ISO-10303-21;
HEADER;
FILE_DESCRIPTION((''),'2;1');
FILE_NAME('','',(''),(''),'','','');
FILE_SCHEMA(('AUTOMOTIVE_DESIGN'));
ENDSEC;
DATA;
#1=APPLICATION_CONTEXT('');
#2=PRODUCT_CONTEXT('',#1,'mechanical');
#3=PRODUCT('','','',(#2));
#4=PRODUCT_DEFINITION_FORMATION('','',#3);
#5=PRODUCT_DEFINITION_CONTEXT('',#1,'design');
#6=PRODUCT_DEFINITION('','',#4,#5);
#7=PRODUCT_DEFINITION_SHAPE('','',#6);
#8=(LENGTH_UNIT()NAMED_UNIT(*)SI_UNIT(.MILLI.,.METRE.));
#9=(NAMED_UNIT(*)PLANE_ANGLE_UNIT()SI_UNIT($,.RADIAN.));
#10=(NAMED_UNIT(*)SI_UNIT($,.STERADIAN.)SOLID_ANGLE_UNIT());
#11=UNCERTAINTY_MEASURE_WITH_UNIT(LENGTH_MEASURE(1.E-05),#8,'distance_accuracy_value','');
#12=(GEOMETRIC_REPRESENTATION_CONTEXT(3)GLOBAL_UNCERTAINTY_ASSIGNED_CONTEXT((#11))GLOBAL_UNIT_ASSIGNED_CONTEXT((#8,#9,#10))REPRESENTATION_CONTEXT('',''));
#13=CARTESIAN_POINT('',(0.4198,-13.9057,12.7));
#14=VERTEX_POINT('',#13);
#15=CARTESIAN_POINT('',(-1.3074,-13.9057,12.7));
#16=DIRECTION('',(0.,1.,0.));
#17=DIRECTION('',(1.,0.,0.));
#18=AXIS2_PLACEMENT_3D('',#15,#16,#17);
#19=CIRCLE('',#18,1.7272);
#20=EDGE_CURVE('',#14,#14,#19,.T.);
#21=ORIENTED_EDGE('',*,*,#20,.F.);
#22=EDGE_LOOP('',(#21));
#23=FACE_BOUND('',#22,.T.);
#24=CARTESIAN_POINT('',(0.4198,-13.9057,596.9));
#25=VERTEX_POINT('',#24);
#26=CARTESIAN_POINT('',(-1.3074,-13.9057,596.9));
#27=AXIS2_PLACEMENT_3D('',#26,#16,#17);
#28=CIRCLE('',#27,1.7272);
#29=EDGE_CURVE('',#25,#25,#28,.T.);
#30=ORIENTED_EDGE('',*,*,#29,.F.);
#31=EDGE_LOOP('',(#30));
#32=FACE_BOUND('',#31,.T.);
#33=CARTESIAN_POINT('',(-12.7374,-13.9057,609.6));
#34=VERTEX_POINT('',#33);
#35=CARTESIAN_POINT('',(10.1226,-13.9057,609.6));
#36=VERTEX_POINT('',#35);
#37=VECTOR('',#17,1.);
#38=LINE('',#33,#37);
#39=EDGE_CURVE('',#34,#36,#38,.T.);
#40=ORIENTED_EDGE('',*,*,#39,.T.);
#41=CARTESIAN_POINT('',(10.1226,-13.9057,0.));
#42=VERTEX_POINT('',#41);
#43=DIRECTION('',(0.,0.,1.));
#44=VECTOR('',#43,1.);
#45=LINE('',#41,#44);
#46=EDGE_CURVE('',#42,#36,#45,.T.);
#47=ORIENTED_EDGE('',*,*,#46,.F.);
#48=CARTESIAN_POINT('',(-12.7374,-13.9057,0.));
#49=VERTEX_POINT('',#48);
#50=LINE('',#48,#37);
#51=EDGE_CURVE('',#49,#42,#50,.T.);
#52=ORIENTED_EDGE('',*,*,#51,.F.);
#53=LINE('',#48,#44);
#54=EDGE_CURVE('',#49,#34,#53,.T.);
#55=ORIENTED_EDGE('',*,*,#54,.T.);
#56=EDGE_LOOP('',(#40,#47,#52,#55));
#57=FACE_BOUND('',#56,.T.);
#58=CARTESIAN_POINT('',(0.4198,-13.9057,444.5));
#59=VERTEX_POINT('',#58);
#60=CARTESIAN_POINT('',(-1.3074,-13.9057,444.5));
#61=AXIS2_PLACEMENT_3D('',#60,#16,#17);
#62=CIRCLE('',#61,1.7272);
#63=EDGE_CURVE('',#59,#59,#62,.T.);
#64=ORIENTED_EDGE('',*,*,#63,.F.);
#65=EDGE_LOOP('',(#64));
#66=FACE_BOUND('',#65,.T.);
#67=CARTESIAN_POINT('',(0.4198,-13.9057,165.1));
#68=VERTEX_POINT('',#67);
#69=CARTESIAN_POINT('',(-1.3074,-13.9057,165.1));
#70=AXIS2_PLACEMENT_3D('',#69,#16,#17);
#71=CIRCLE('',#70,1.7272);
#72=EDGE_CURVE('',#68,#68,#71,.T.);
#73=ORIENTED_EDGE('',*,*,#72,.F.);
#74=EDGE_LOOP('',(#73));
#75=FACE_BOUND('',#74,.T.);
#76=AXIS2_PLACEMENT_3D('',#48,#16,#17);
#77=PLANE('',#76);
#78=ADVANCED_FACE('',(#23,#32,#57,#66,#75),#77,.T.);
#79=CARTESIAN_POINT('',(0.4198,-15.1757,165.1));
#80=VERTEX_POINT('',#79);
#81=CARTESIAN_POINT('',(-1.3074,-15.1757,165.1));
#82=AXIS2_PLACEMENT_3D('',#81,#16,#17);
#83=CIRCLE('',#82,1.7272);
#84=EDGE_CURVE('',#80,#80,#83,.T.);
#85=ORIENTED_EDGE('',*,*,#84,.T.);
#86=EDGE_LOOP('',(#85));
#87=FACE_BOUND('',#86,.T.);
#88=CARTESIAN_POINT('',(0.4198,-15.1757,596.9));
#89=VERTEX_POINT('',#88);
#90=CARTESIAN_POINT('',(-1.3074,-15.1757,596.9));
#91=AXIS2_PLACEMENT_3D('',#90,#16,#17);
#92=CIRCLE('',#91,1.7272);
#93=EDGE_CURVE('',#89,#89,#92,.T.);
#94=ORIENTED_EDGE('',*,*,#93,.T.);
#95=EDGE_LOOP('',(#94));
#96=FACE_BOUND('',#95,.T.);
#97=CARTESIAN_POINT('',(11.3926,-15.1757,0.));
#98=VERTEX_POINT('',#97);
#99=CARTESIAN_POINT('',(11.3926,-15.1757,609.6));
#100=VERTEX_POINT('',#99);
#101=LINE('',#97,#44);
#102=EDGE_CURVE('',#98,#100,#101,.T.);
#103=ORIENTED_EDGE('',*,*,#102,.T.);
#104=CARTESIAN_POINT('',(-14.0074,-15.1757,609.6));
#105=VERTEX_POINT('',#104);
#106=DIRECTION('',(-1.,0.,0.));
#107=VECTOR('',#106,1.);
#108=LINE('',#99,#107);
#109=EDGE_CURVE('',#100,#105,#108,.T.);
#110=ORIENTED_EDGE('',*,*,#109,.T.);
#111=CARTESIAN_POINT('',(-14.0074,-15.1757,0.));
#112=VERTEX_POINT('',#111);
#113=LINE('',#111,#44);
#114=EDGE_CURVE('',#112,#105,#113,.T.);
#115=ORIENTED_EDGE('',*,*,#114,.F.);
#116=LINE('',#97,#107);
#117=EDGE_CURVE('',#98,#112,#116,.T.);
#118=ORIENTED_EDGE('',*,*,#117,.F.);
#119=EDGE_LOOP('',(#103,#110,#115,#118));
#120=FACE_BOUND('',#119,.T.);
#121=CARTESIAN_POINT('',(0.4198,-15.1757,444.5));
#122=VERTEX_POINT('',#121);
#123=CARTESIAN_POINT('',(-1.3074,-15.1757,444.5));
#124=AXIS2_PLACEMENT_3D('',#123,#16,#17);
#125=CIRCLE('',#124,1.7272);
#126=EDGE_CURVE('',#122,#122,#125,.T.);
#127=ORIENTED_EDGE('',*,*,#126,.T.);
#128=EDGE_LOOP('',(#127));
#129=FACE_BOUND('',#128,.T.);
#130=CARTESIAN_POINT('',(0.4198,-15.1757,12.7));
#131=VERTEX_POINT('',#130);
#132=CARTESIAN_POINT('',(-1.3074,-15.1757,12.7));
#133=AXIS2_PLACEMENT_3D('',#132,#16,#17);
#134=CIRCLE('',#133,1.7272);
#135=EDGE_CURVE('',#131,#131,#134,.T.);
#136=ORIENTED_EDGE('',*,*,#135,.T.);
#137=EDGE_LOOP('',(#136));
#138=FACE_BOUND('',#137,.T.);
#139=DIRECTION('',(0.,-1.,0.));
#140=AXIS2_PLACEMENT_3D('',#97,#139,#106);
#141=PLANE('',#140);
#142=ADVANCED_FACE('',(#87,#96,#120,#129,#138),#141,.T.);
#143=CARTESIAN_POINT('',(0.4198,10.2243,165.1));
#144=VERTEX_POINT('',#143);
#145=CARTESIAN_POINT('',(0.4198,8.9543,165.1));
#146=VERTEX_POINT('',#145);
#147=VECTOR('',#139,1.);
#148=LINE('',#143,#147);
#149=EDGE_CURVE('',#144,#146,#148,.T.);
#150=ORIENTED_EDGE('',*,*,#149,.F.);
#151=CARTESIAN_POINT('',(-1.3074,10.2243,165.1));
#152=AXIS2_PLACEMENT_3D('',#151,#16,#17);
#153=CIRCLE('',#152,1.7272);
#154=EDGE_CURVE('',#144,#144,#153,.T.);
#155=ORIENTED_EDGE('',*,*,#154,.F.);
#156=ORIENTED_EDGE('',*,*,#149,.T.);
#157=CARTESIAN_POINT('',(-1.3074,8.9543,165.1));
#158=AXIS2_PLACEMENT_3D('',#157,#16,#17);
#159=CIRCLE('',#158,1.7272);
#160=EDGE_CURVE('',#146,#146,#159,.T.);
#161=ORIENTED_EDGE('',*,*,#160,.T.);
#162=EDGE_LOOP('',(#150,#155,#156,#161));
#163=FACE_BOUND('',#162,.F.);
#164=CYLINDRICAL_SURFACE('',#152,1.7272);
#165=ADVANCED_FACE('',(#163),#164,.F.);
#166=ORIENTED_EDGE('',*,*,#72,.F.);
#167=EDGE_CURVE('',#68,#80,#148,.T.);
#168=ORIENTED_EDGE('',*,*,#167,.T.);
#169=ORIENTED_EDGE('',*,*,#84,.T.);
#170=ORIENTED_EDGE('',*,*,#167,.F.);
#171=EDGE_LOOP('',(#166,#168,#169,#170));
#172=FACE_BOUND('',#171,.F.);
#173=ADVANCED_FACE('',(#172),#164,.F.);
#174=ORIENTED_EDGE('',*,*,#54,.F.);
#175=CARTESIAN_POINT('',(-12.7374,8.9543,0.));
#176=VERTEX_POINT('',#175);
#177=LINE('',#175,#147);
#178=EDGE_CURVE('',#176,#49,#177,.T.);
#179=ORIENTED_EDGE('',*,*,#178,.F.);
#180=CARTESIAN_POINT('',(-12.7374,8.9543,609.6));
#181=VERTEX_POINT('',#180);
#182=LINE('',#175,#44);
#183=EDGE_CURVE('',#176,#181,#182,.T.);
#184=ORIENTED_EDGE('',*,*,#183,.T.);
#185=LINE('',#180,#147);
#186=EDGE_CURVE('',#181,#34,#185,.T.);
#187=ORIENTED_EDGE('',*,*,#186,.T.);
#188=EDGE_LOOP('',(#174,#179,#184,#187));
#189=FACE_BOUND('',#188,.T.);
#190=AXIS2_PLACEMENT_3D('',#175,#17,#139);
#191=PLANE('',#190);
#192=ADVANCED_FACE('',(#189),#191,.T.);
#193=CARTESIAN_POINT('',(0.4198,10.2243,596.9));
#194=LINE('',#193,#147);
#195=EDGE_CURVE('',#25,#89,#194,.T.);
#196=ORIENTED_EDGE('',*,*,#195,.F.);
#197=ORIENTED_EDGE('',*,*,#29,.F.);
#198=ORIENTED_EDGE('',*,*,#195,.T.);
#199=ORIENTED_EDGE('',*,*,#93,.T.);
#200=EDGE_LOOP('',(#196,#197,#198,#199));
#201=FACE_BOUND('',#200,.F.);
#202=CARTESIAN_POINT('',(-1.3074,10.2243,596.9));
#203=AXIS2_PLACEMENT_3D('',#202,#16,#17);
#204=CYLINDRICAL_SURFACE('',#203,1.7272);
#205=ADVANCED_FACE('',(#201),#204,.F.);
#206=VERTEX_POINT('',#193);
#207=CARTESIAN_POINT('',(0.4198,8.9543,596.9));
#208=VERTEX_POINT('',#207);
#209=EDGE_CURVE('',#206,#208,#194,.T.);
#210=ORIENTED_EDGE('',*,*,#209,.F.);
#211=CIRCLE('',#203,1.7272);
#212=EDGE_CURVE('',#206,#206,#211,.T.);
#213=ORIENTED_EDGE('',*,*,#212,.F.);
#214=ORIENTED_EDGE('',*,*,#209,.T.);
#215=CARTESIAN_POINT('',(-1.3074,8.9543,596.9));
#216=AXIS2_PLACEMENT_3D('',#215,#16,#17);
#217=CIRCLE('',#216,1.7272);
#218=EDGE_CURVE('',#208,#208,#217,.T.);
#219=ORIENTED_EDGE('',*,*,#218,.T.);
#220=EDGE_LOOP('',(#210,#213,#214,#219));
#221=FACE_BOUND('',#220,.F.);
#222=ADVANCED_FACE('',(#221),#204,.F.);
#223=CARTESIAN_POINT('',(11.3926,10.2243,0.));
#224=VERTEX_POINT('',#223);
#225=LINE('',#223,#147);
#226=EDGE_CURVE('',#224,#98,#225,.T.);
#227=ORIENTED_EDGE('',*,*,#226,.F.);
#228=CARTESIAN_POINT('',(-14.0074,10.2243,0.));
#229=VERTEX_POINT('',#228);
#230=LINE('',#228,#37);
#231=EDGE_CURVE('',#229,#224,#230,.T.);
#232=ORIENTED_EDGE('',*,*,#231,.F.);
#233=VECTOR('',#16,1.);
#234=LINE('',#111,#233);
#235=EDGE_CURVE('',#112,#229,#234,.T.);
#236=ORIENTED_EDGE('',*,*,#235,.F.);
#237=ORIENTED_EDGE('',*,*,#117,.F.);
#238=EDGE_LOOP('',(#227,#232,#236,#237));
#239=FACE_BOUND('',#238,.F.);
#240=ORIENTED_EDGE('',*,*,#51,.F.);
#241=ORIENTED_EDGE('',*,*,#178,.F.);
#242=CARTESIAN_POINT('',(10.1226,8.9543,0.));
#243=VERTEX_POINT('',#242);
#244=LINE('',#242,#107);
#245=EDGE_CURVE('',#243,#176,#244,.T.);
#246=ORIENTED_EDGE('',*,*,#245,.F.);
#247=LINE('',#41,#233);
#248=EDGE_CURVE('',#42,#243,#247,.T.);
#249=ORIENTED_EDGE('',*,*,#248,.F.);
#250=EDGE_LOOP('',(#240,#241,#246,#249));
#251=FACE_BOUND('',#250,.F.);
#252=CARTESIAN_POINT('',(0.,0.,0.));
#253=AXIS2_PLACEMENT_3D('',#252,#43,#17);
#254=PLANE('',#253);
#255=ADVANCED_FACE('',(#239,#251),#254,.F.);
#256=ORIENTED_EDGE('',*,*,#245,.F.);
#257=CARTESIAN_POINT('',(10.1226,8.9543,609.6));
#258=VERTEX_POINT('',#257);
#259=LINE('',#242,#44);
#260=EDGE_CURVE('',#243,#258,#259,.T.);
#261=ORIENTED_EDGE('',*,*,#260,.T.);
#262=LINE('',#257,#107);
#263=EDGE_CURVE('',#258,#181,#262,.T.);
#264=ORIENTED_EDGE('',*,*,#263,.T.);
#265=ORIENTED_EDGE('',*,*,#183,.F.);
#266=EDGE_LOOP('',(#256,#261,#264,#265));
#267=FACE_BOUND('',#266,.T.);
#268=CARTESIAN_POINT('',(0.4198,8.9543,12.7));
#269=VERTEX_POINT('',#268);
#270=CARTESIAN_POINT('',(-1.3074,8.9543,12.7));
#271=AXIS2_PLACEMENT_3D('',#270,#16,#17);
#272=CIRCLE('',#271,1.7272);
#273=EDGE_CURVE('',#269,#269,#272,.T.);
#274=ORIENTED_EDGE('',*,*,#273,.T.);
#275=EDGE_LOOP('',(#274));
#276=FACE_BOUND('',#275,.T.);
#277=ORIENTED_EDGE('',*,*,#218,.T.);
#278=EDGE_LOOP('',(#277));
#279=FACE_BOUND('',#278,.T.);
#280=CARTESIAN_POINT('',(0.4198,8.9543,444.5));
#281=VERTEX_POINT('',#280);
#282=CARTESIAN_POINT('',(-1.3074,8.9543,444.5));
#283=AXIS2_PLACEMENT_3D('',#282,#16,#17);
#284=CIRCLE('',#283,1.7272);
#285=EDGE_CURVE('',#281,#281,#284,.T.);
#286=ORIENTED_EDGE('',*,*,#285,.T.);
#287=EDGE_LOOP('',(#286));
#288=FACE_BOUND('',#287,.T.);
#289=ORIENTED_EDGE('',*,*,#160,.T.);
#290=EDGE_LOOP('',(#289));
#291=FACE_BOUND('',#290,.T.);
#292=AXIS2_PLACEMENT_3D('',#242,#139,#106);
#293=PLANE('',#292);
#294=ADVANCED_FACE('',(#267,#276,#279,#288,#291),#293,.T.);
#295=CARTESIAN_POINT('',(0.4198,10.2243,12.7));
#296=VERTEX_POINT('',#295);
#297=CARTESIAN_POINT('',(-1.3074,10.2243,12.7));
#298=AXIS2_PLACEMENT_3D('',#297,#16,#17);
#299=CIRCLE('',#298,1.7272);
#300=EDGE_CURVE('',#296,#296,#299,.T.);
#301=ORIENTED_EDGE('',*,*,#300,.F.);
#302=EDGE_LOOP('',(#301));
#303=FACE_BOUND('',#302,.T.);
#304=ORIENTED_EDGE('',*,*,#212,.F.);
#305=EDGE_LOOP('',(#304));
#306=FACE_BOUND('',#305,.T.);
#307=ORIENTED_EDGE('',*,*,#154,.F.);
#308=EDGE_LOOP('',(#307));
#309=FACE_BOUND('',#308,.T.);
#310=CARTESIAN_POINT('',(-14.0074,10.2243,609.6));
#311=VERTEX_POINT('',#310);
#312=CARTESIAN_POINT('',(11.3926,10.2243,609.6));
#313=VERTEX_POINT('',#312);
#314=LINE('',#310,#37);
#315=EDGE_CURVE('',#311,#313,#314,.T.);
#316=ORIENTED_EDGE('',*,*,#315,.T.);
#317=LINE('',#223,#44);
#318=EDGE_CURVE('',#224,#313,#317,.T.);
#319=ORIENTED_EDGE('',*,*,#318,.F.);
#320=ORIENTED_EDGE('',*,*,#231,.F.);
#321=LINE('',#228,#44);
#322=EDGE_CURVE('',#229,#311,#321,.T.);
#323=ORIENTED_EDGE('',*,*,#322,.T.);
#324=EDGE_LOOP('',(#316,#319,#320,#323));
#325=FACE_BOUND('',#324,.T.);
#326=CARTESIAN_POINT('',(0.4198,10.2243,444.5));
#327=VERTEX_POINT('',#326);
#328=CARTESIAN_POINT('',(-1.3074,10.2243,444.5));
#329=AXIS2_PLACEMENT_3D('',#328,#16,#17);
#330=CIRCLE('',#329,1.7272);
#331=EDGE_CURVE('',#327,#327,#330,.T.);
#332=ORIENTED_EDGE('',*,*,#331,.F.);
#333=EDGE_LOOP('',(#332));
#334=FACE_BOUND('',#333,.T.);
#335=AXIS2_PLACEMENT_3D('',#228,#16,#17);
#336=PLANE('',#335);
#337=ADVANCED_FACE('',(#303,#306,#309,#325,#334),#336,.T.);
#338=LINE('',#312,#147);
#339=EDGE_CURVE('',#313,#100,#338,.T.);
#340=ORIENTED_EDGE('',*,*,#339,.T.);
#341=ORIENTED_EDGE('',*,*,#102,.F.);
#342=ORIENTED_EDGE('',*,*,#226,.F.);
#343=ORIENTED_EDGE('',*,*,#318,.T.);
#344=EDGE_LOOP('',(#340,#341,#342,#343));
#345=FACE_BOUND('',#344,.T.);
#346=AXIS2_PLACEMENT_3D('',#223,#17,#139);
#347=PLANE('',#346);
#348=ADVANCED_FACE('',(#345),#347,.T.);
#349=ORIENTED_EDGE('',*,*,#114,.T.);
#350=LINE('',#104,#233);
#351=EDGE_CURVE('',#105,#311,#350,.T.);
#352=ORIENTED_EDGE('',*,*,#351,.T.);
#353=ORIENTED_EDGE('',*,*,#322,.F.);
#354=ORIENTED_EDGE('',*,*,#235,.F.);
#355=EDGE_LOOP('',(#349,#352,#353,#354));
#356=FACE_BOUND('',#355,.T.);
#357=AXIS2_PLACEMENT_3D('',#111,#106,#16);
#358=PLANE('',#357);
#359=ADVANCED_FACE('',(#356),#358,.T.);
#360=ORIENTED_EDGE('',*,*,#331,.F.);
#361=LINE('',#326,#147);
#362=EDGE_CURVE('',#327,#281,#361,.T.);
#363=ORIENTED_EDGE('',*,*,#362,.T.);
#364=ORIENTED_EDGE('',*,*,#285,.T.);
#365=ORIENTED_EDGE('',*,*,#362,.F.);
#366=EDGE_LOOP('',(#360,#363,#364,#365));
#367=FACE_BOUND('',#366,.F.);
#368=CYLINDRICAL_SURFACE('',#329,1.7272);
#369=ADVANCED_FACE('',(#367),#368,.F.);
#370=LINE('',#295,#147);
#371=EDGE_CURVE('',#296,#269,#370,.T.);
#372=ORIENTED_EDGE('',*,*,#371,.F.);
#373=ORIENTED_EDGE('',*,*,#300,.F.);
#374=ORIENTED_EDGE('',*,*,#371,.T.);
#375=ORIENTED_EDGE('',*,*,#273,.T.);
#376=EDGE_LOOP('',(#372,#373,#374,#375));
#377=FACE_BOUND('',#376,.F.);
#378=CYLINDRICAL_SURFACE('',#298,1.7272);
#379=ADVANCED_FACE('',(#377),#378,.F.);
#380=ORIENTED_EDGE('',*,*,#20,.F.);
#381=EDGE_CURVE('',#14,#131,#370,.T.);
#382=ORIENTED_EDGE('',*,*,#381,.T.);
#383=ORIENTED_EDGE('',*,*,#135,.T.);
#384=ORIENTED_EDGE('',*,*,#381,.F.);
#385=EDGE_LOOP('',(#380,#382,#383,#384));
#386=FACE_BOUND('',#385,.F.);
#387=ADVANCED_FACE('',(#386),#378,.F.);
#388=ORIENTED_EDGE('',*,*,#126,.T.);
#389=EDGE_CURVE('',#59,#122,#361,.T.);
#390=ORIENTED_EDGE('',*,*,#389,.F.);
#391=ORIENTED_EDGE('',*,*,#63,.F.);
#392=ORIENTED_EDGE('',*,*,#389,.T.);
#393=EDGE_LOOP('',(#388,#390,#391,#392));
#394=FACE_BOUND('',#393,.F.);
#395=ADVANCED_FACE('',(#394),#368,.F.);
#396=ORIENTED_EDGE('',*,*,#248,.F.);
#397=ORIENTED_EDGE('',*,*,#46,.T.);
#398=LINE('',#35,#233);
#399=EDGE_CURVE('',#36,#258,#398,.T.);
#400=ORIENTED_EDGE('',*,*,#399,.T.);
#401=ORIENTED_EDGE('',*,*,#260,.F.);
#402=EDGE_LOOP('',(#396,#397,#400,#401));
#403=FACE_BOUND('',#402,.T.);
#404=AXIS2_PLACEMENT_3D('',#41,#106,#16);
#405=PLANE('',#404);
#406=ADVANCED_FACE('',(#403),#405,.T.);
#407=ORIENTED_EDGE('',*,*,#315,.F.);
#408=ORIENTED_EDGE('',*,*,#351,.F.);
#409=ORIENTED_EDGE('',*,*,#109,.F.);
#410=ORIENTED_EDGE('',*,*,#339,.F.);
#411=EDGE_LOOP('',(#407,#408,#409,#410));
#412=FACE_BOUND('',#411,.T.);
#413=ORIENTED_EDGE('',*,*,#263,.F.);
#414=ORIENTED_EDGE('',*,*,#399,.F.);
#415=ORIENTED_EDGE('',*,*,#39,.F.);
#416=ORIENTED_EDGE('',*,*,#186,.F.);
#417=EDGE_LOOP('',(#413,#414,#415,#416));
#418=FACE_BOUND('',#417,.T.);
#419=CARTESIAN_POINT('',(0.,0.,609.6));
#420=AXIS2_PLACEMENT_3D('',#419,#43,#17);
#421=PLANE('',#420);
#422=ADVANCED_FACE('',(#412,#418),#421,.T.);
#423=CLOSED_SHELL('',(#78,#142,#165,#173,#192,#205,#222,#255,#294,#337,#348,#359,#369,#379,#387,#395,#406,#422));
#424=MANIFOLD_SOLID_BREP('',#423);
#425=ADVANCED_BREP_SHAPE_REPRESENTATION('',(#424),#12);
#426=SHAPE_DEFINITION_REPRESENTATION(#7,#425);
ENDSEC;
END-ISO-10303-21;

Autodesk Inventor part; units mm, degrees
ref_plane "YZ Plane" through (0, 0, 0) normal (1, 0, 0) x (0, 1, 0)
ref_plane "XZ Plane" through (0, 0, 0) normal (0, 1, 0) x (-1, 0, 0)
ref_plane "XY Plane" through (0, 0, 0) normal (0, 0, 1) x (1, 0, 0)
sketch "Sketch1" plane through (0, 0, 0) normal (0, 0, 1) x (1, 0, 0)
  line L0 (-14.0074, 10.2243) -> (11.3926, 10.2243)
  line L1 (11.3926, 10.2243) -> (11.3926, -15.1757)
  line L2 (11.3926, -15.1757) -> (-14.0074, -15.1757)
  line L3 (-14.0074, -15.1757) -> (-14.0074, 10.2243)
  line L4 (10.1226, 8.9543) -> (-12.7374, 8.9543)
  line L5 (-12.7374, 8.9543) -> (-12.7374, -13.9057)
  line L6 (-12.7374, -13.9057) -> (10.1226, -13.9057)
  line L7 (10.1226, -13.9057) -> (10.1226, 8.9543)
  point P0 (0, 0)
  dimension "d0" = 25.4
  dimension "d1" = 1.27
extrude "Extrusion2" add sketch "Sketch1" along normal blind 609.6
sketch "Sketch2" plane through (-14.0074, 10.2243, 0) normal (0, 1, 0) x (1, 0, 0)
  circle A0 centre (12.7, -165.1) radius 1.7272
  circle A1 centre (12.7, -444.5) radius 1.7272
  circle A2 centre (12.7, -596.9) radius 1.7272
  circle A3 centre (12.7, -12.7) radius 1.7272
  line L0 (12.7, -275.2188) -> (12.7, -289.6377) construction
  line L1 (25.4, -609.6) -> (0, -609.6) projected
  line L2 (25.4, 0) -> (25.4, -609.6) projected
  line L3 (25.4, 0) -> (0, 0) projected
  point P0 (14.0074, 0)
  dimension "d6" = 3.4544
  dimension "d7" = 12.7
  dimension "d8" = 12.7
  dimension "d9" = 12.7
  dimension "d10" = 279.4
  dimension "d11" = 152.4
extrude "Extrusion3" cut sketch "Sketch2" against normal through all
equation "\"d4\" = d2"
equation "\"d2\" = 609.6"
properties part number "26 in 1x1 for drive"
